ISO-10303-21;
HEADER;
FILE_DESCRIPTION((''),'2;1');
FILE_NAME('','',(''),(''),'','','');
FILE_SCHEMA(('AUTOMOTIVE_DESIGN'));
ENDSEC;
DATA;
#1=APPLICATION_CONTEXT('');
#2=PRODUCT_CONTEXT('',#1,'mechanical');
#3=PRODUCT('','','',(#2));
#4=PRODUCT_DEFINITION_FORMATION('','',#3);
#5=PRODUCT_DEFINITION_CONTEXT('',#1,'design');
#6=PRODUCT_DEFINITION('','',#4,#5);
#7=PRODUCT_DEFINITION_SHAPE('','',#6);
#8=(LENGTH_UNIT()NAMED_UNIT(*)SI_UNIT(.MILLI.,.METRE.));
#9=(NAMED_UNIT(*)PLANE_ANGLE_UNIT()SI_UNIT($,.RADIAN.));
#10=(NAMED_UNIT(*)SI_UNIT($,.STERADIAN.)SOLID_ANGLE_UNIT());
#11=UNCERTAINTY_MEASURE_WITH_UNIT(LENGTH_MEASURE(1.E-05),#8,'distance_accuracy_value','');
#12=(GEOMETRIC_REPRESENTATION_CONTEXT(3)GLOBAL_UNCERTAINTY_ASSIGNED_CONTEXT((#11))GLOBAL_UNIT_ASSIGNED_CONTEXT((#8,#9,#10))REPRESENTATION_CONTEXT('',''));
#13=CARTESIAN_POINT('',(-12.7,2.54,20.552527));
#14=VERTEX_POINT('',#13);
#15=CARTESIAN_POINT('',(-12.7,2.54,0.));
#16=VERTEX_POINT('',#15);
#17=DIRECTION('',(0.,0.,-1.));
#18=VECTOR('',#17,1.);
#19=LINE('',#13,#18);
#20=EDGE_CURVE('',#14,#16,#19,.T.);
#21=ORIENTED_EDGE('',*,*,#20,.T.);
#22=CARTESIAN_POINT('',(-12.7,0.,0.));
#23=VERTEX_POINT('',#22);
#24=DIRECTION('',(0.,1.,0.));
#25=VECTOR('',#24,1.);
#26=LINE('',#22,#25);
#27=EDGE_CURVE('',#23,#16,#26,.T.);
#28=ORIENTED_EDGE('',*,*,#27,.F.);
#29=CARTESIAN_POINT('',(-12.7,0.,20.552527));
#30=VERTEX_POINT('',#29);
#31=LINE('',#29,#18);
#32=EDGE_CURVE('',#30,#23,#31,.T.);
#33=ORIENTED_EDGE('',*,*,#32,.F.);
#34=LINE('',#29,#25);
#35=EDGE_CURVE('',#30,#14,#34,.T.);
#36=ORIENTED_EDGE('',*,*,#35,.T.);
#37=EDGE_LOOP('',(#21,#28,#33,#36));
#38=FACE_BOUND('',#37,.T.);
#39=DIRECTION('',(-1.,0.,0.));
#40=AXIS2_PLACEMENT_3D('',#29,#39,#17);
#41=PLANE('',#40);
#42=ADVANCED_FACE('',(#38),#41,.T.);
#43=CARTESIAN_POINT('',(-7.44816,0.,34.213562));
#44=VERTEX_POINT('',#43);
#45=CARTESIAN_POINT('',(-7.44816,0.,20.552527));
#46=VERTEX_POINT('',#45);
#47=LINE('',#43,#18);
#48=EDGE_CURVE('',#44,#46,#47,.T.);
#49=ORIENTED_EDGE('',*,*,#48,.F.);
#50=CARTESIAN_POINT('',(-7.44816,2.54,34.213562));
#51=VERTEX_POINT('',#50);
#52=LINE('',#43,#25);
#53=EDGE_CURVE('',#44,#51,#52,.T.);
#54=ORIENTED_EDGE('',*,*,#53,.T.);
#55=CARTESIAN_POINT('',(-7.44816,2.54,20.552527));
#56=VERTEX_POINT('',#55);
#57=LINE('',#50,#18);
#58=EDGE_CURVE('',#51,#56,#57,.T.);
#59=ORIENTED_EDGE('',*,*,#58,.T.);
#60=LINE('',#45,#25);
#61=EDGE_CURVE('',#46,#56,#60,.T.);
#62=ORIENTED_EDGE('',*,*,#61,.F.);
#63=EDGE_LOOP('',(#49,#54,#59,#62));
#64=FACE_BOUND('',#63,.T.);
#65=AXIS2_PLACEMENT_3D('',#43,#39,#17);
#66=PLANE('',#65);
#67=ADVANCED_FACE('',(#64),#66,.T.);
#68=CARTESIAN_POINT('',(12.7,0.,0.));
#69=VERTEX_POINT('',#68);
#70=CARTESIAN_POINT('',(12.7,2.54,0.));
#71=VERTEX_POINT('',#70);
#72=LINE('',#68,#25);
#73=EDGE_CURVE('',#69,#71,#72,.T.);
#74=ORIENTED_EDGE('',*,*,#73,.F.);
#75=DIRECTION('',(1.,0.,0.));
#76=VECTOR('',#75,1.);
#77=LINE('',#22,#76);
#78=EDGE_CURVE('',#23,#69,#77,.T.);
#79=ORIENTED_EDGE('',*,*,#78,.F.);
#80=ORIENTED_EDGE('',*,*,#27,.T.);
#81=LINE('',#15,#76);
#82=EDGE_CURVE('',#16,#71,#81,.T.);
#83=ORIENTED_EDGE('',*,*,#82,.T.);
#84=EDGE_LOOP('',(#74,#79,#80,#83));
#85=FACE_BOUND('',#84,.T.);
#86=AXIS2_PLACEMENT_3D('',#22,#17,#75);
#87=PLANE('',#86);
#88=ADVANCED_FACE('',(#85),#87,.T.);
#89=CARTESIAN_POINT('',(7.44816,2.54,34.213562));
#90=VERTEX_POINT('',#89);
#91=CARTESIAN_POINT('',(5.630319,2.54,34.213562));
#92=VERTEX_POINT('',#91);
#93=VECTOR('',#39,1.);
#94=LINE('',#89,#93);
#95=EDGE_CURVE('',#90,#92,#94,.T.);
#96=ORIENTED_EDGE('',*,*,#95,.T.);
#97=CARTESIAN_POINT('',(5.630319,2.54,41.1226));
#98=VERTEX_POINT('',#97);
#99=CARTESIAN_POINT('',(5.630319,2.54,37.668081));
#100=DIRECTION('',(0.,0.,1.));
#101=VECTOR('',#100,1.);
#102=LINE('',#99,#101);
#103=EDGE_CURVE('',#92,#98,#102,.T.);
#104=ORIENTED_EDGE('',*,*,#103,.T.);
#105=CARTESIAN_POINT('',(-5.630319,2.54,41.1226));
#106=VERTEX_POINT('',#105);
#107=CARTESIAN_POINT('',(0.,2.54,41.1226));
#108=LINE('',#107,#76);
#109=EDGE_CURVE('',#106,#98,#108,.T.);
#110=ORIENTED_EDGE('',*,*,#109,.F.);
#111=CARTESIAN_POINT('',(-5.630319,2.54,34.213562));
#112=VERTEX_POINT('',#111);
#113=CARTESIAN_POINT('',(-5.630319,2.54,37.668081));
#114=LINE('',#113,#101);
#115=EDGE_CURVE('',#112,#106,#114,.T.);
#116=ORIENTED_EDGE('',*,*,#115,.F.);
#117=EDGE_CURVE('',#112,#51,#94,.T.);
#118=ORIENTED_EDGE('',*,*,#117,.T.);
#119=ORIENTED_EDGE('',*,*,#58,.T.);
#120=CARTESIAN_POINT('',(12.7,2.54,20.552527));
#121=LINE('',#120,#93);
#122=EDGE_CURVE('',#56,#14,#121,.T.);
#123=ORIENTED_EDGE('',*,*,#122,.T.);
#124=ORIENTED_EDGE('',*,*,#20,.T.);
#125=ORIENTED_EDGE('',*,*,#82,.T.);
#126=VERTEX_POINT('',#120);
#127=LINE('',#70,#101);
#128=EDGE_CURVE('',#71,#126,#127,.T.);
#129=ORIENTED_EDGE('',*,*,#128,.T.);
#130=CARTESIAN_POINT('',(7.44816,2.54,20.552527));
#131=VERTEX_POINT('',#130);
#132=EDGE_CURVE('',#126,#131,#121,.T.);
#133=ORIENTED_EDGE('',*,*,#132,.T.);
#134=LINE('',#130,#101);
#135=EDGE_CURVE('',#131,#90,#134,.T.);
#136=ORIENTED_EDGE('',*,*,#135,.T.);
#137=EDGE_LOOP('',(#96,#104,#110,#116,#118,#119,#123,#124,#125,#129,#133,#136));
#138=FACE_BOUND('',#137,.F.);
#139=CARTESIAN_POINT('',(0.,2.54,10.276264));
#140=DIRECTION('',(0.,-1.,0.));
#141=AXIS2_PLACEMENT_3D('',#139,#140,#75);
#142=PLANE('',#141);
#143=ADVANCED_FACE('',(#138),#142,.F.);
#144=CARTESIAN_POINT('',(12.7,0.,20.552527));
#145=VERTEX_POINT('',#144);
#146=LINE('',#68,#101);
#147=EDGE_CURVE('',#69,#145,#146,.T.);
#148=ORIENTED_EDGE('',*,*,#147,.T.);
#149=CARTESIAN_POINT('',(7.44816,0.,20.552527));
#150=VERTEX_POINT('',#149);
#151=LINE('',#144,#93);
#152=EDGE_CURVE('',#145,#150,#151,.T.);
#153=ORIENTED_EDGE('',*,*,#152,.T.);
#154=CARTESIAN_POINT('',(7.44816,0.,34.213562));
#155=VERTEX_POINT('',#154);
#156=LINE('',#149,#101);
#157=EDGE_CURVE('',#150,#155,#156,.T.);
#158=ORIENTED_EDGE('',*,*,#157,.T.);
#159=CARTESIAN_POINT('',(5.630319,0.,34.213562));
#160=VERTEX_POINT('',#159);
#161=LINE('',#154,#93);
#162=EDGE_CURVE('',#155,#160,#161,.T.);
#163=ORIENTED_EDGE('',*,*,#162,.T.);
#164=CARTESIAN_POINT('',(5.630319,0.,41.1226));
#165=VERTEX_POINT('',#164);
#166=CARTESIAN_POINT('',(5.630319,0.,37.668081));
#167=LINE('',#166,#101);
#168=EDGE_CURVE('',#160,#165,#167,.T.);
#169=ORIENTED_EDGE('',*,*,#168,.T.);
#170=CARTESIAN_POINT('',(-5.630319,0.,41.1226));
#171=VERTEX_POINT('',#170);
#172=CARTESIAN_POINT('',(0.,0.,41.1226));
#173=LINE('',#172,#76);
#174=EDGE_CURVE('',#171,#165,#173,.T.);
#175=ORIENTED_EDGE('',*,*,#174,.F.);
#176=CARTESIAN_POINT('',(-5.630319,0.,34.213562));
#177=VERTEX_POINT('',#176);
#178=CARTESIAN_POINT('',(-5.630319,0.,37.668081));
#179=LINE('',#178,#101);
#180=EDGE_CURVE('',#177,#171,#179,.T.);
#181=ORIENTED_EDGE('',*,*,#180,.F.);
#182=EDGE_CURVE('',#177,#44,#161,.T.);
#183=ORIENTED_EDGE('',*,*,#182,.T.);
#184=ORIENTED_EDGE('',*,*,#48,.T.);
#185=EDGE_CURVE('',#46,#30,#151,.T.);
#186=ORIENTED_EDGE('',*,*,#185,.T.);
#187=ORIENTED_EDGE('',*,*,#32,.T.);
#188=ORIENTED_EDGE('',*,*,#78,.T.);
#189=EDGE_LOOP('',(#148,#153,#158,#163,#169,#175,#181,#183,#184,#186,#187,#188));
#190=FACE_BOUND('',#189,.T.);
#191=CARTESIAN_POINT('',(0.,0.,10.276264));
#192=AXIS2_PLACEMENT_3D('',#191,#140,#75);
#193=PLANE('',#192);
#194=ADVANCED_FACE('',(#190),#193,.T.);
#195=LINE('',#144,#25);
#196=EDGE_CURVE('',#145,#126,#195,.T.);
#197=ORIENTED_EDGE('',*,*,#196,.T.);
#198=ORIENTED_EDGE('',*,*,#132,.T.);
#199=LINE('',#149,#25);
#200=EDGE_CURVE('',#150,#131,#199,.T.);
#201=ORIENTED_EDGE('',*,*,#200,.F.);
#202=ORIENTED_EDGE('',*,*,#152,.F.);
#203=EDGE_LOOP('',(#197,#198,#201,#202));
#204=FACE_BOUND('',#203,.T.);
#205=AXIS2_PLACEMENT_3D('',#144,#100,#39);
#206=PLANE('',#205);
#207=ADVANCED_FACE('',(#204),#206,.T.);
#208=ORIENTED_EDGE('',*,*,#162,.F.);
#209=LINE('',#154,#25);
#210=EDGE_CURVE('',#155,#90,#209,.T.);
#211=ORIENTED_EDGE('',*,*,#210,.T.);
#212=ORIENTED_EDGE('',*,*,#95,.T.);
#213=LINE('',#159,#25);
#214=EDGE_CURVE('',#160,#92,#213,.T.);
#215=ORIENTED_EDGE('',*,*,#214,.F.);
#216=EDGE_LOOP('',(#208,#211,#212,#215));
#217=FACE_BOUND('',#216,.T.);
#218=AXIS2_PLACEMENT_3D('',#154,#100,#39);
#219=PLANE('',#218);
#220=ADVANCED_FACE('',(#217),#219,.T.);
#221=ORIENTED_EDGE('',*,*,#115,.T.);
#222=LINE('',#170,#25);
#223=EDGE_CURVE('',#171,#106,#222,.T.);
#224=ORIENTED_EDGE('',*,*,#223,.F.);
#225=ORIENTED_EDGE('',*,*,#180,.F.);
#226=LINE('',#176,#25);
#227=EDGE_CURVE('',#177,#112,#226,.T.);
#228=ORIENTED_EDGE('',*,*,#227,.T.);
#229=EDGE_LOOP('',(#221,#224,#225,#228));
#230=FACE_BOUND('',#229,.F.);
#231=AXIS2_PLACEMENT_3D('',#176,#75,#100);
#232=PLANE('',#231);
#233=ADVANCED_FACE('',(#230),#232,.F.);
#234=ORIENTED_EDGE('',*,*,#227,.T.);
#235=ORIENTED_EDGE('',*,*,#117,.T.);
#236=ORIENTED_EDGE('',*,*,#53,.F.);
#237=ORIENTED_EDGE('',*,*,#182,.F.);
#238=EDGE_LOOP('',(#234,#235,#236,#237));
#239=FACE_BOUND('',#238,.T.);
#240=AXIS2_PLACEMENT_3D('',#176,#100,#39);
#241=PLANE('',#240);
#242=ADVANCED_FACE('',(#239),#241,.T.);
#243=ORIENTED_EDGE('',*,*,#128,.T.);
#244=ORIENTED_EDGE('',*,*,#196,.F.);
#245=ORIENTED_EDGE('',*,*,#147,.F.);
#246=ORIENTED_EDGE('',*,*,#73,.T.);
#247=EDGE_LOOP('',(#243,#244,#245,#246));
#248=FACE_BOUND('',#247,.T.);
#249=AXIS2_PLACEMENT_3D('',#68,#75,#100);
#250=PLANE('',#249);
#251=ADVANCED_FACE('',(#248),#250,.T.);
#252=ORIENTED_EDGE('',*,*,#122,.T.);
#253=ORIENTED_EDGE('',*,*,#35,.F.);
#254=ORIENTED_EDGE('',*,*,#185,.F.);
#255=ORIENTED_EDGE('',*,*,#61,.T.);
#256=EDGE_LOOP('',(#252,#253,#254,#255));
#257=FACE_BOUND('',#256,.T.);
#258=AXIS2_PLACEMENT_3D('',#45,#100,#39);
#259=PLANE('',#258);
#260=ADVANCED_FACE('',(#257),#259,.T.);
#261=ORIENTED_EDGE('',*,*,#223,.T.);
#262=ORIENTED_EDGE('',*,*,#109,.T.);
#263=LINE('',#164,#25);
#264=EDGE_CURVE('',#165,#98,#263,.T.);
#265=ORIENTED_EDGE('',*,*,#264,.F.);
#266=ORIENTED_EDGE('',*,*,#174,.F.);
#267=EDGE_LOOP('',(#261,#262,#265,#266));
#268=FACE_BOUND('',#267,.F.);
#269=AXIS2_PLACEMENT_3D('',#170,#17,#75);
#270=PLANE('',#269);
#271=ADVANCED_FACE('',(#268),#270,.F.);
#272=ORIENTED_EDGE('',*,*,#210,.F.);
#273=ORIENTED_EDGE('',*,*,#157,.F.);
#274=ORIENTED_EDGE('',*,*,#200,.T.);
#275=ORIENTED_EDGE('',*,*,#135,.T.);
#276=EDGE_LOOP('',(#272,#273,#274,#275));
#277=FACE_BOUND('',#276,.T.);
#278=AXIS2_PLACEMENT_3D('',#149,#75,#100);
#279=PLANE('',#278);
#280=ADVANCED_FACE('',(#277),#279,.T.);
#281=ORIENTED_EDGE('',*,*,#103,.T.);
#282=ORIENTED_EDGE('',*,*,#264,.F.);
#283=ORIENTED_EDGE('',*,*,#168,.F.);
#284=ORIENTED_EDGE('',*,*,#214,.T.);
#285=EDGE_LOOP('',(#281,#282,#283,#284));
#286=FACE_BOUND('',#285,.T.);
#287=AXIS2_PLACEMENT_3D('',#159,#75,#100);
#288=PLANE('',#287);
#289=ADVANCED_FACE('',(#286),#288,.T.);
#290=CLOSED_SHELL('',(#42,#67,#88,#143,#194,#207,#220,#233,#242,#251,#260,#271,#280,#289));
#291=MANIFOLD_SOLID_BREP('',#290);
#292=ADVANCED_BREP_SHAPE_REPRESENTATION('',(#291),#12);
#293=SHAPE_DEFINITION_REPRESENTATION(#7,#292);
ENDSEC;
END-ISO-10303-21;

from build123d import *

# Parameters (mm, degrees)
F0_W     = 14.89632
F0_H     = 6.825086
F0_W_2   = 11.260638
F0_H_2   = 6.909038
F1_DEPTH = 2.54


with BuildPart() as f1:
    # F0 (on Front) → F1 (new body)
    with BuildSketch(Plane.XZ):
        Polygon((-12.7, 0), (0, 0), (12.7, 0), (12.7, 20.552527), (7.44816, 20.552527), (-7.44816, 20.552527), (-12.7, 20.552527), align=None)
        with Locations((0, 23.96507)):
            Rectangle(F0_W, F0_H)
        Polygon((-7.44816, 34.213562), (-7.44816, 27.377613), (7.44816, 27.377613), (7.44816, 34.213562), (5.630319, 34.213562), (-5.630319, 34.213562), align=None)
        with Locations((0, 37.668081)):
            Rectangle(F0_W_2, F0_H_2)
    extrude(amount=-F1_DEPTH)


solid = f1.part
